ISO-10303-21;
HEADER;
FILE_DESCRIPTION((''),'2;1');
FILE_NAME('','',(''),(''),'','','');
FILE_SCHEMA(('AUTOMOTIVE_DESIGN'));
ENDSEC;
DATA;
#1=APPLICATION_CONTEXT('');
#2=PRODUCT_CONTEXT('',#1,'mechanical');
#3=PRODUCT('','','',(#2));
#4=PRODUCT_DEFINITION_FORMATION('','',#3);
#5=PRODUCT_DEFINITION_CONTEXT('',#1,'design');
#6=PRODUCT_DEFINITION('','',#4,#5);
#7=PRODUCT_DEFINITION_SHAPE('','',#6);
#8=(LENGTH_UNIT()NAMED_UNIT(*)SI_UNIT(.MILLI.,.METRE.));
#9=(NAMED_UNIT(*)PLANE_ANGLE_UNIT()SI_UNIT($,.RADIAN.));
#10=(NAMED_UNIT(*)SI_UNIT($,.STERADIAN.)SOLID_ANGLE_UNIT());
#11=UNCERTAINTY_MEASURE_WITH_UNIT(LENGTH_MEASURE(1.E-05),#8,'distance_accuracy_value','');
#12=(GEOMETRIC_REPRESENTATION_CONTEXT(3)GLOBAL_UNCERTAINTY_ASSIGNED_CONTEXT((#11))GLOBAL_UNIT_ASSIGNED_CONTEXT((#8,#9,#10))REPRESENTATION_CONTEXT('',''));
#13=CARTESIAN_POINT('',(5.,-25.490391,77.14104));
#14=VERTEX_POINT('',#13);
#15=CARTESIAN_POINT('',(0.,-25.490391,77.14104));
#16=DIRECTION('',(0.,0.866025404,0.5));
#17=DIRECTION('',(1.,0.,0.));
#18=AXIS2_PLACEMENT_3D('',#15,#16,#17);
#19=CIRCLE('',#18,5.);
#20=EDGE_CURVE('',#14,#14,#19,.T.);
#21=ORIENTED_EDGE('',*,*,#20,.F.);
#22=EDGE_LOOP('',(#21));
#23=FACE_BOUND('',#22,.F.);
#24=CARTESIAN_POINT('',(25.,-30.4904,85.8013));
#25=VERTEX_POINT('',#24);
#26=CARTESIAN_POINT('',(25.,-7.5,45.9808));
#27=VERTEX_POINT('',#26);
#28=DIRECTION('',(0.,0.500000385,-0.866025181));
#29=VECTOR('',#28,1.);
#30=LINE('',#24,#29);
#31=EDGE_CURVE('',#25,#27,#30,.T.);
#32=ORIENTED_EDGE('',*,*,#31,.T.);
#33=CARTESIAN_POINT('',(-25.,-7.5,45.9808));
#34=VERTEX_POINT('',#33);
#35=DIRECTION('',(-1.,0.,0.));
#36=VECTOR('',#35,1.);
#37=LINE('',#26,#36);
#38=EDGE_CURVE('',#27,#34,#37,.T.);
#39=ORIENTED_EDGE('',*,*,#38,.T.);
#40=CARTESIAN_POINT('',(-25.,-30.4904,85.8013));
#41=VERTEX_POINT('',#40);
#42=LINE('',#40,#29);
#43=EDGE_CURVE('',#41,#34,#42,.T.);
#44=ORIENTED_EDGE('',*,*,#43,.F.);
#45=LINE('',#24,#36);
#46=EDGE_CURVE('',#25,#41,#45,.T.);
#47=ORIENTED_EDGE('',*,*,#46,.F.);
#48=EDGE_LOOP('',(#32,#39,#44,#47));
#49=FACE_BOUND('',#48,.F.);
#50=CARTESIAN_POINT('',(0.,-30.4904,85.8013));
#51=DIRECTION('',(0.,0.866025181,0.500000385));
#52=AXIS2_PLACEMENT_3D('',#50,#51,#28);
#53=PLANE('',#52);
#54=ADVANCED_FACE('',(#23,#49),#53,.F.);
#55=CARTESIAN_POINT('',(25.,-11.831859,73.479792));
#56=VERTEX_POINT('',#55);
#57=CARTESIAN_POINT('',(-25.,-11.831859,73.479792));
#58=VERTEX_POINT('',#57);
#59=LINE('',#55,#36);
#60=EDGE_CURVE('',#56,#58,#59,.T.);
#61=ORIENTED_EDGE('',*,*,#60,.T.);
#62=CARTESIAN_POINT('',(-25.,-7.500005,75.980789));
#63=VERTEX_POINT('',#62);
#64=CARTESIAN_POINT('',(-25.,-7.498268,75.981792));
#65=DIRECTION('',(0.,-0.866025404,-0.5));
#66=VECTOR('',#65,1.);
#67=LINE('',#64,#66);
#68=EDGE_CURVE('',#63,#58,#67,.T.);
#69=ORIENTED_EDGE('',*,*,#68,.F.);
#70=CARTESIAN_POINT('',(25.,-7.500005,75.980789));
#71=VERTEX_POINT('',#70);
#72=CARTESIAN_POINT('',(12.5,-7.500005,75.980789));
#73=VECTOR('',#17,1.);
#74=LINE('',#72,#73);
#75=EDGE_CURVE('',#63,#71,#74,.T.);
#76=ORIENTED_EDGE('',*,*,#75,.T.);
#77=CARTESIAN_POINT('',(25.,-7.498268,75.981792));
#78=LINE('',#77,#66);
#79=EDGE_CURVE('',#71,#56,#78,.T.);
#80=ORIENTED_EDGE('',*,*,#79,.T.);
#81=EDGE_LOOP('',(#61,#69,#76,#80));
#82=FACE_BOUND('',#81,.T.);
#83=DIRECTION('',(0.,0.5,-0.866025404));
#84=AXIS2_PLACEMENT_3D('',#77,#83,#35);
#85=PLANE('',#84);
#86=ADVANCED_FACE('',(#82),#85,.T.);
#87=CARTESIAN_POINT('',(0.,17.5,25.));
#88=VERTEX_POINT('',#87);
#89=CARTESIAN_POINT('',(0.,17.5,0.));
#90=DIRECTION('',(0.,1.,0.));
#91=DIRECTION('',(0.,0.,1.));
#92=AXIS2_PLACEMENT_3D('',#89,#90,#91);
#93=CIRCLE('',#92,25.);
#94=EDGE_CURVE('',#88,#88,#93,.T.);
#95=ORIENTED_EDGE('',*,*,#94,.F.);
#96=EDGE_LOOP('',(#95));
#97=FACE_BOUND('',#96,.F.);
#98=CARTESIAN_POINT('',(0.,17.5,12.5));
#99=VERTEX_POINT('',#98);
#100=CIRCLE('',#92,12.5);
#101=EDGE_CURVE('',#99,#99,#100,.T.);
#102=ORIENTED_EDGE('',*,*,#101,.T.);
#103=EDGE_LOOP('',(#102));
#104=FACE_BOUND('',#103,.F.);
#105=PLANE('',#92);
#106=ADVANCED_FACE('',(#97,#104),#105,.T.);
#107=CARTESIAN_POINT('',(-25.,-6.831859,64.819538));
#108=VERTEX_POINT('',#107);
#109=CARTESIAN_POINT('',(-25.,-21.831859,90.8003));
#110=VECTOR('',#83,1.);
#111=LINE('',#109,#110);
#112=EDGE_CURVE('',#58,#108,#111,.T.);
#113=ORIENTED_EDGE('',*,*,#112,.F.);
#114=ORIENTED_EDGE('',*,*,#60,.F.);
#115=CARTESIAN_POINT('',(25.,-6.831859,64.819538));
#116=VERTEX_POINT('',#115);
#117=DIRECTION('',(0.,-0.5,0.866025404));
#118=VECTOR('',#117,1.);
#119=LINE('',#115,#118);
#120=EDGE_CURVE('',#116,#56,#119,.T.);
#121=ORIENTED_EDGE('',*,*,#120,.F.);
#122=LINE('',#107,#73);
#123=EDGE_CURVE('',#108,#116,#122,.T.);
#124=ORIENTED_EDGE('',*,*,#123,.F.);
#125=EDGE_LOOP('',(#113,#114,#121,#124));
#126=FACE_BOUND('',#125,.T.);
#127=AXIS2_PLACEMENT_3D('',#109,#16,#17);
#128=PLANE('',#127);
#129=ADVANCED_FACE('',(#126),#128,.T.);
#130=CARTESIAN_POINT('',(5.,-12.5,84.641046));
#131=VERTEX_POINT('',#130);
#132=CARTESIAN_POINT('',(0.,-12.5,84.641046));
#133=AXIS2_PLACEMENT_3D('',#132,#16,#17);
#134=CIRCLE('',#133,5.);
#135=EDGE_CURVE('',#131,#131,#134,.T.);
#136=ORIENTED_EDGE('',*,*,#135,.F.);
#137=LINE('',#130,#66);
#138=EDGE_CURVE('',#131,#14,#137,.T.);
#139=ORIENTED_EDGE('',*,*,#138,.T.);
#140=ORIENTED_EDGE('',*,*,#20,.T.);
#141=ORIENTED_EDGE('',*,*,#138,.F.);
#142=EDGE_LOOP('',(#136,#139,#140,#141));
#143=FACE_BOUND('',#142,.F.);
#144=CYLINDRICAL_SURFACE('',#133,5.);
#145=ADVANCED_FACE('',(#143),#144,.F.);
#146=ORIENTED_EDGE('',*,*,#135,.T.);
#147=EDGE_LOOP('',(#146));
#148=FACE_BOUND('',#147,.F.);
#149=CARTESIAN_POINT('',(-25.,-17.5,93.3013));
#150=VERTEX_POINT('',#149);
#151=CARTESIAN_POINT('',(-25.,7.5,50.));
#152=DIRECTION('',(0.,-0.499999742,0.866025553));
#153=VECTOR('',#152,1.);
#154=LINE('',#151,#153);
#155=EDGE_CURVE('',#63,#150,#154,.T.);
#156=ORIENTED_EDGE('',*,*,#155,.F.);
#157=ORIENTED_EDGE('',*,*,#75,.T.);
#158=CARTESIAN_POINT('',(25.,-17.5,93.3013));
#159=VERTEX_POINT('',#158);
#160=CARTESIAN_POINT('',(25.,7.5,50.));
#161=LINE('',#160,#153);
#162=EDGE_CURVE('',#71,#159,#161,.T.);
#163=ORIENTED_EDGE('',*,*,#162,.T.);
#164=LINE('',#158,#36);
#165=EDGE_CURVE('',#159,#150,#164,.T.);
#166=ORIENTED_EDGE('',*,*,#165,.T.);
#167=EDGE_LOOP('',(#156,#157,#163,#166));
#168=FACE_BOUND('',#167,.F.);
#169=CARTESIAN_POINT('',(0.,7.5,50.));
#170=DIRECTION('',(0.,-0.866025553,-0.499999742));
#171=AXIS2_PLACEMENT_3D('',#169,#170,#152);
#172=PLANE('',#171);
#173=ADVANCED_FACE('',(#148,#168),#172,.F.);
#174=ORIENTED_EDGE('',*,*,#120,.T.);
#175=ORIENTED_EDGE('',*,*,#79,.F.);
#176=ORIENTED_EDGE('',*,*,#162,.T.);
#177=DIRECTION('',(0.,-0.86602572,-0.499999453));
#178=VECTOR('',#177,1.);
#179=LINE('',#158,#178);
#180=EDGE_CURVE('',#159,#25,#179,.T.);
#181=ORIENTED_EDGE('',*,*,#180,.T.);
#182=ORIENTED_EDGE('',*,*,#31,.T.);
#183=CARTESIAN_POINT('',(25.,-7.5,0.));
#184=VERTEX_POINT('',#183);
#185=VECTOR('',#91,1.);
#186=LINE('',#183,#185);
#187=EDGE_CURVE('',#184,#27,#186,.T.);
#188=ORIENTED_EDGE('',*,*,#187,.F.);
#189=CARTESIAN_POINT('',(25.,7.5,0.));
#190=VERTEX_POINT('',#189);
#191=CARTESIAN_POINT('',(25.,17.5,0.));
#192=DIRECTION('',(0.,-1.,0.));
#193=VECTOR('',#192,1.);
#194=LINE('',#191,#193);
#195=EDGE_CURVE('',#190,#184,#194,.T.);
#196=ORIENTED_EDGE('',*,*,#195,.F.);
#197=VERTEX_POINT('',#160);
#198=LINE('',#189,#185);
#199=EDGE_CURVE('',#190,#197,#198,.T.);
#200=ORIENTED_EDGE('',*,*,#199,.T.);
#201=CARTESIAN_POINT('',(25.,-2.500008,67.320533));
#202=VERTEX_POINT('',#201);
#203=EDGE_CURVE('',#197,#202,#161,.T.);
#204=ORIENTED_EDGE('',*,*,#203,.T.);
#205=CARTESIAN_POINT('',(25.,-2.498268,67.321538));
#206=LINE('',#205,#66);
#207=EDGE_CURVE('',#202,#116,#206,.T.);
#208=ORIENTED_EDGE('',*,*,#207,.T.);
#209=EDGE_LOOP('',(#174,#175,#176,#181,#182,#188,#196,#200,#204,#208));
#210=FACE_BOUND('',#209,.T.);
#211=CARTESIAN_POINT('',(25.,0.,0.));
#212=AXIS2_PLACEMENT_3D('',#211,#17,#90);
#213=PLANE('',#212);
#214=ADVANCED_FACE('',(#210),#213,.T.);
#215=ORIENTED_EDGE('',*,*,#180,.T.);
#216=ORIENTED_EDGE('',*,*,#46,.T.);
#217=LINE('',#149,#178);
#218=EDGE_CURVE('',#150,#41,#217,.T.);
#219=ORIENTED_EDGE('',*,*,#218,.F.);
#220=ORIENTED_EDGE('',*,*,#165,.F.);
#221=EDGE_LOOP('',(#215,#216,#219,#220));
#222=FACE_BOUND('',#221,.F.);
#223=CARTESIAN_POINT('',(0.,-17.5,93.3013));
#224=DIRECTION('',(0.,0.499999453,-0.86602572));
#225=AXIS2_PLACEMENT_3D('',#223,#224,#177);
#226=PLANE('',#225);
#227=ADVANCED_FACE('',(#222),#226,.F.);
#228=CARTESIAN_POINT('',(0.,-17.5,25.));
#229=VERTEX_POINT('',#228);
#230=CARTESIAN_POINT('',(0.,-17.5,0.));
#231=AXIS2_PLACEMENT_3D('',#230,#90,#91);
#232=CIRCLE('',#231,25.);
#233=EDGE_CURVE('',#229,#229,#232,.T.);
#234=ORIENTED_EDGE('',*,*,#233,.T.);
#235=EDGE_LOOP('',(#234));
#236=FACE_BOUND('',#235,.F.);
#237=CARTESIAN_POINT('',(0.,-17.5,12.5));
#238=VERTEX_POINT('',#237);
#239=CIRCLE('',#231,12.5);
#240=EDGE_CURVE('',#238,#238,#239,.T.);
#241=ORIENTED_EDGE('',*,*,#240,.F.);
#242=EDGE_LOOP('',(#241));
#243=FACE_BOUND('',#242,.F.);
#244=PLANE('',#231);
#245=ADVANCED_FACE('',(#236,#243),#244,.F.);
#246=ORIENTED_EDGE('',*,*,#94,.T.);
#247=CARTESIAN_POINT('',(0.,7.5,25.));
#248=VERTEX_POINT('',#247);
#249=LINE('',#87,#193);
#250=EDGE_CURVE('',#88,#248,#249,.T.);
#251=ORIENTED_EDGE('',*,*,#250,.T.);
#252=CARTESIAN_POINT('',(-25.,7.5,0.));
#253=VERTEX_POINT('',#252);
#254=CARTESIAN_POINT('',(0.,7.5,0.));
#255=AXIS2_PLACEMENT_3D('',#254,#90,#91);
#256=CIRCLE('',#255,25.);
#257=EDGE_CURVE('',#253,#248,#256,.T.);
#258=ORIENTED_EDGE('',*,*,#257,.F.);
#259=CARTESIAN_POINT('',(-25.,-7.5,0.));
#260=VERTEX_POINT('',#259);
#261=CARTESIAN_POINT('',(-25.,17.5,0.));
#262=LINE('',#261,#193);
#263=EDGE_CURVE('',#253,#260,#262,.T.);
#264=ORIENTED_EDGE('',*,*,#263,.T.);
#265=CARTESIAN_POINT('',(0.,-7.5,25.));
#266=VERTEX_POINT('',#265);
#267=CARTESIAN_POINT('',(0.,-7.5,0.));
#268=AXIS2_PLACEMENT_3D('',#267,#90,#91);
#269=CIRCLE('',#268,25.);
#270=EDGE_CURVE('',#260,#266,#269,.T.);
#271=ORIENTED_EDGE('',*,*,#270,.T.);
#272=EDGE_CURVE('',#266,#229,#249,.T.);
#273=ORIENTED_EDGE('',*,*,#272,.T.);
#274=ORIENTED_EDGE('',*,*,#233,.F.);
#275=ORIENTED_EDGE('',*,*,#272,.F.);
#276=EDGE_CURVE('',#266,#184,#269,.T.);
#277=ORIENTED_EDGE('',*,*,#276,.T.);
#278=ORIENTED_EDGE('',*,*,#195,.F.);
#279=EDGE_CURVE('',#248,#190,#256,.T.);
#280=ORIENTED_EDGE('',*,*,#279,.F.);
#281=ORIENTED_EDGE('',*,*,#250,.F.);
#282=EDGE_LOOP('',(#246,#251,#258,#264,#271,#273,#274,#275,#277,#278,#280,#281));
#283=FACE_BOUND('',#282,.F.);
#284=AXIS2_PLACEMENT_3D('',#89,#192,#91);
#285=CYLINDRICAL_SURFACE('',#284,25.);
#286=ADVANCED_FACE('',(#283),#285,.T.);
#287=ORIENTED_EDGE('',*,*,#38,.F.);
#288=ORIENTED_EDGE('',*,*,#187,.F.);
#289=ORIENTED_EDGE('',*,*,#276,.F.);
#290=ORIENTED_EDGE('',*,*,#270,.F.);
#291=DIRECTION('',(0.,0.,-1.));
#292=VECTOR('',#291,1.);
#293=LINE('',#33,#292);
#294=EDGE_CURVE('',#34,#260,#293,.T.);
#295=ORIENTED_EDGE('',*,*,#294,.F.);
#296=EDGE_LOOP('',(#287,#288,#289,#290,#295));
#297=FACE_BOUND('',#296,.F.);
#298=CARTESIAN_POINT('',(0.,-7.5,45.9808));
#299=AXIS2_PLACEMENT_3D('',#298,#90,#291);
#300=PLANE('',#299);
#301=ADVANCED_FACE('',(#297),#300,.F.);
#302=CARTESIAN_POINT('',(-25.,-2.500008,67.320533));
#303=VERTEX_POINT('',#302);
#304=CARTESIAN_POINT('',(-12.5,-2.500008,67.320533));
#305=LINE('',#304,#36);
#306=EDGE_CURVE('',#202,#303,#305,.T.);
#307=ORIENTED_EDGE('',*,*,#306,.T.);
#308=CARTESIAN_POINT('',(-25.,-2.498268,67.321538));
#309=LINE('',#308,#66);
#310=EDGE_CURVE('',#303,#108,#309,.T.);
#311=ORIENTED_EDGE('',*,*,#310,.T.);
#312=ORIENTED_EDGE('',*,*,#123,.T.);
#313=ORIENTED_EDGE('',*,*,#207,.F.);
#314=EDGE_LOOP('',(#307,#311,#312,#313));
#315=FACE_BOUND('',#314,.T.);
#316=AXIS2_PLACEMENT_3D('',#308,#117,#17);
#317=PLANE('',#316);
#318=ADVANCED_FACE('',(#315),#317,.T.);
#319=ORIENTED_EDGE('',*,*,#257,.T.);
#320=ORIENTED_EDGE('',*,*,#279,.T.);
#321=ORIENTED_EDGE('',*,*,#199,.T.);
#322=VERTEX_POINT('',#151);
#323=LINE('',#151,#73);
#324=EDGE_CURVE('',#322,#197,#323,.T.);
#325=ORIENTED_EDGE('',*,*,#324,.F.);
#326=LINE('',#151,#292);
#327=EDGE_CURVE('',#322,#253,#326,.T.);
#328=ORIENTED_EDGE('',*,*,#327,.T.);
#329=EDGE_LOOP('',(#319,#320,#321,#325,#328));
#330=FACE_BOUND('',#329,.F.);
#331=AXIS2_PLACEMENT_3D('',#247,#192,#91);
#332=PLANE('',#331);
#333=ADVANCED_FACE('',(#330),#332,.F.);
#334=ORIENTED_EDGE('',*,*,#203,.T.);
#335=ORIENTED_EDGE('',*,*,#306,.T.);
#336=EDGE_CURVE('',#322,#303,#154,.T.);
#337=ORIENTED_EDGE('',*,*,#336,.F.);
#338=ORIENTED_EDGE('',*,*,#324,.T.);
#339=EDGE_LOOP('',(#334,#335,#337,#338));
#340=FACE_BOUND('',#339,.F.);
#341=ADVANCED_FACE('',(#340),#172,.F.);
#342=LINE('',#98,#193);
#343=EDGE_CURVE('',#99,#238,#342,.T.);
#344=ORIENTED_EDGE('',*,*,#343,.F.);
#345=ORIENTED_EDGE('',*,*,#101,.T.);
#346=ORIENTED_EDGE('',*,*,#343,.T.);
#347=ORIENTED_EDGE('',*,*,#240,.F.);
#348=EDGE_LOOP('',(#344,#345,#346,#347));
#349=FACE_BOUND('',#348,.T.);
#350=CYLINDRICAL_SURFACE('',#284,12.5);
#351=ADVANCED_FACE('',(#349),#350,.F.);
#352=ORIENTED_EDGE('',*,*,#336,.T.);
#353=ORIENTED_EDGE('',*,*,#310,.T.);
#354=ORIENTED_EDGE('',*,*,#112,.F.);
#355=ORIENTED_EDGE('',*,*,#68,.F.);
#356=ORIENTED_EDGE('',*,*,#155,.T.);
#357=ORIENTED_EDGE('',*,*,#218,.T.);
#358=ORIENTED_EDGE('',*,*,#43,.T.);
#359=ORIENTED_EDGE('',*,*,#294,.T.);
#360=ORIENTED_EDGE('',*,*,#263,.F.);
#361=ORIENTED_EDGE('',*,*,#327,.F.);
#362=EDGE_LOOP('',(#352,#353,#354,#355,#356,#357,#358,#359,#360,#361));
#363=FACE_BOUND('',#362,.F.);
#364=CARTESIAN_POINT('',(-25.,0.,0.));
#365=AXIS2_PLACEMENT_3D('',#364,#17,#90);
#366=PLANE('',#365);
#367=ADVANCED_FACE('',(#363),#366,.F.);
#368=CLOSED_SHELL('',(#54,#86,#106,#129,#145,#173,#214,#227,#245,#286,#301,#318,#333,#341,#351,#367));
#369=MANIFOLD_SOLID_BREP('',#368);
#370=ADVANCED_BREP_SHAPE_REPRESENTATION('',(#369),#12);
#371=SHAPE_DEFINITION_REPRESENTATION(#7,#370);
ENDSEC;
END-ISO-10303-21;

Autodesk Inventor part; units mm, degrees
ref_plane "YZ Plane" through (0, 0, 0) normal (1, 0, 0) x (0, 1, 0)
ref_plane "XZ Plane" through (0, 0, 0) normal (0, 1, 0) x (-1, 0, 0)
ref_plane "XY Plane" through (0, 0, 0) normal (0, 0, 1) x (1, 0, 0)
sketch "Boceto1" plane through (0, 0, 0) normal (1, 0, 0) x (0, 1, 0)
  line L0 (-17.5, -25) -> (17.5, -25)
  line L1 (17.5, -25) -> (17.5, 25)
  line L2 (17.5, 25) -> (-17.5, 25)
  line L3 (-17.5, 25) -> (-17.5, -25)
  line L4 (7.5, 25) -> (7.5, 50)
  line L5 (-7.5, 45.9808) -> (-7.5, 25)
  line L6 (17.5, 12.5) -> (-17.5, 12.5)
  line L7 (17.5, -12.5) -> (-17.5, -12.5)
  line L8 (7.5, 50) -> (-17.5, 93.3013)
  line L9 (-17.5, 93.3013) -> (-30.4904, 85.8013)
  line L10 (-30.4904, 85.8013) -> (-7.5, 45.9808)
  line L11 (-40.0885, 0) -> (27.0981, 0) projected
  point P0 (0, 0)
  dimension "d0" = 10
  dimension "d1" = 10
  dimension "d2" = 15
  dimension "d3" = 25
  dimension "d5" = 12.5
  dimension "d6" = 50
  dimension "d7" = 12.5
  dimension "d8" = 7.5
  dimension "d9" = 25
  dimension "d10" = 50
  dimension "d11" = 15
  dimension "d12" = 150
revolve "Revolución1" add sketch "Boceto1" angle 360 about axis through (0, -10, 0) along (0, 1, 0) contours L3 L2 L1 L6
extrude "Extrusión1" add sketch "Boceto1" along normal mid plane 50 contours L5 L10 L9 L8 L4 L2
sketch "Boceto2" plane through (25, 7.5, 25) normal (0, 0, -1) x (-1, 0, 0)
  line L0 (25, -15) -> (25, 0) projected
  line L1 (25, 0) -> (0, 0) projected
  line L2 (0, -15) -> (0, 0) projected
  line L3 (25, -15) -> (0, -15) projected
  line L4 (50, -15) -> (25, -15) projected
  line L5 (50, 0) -> (50, -15) projected
  line L6 (50, 0) -> (25, 0) projected
  point P0 (25, -7.5)
extrude "Extrusión2" add sketch "Boceto2" along normal up to surface
sketch "Boceto3" plane through (-25, -17.5, 93.3013) normal (0, 0.866, 0.5) x (1, 0, 0)
  line L0 (0, 0) -> (0, 50) projected
  line L1 (0, 30) -> (50, 30)
  line L2 (50, 30) -> (50, 20)
  line L3 (50, 0) -> (50, 45.9808) projected
  line L4 (0, 30) -> (0, 20)
  line L5 (50, 20) -> (0, 20)
  line L6 (0, 50) -> (50, 50) projected
  circle A0 centre (25, 10) radius 5
  point P0 (25, 89.5513)
  point P1 (0, 25)
  dimension "d18" = 10
  dimension "d19" = 5
  dimension "d20" = 25
  dimension "d21" = 10
  dimension "d22" = 10
extrude "Extrusión3" cut sketch "Boceto3" against normal blind 5 contours L0 L1 L2 L5
extrude "Extrusión4" cut sketch "Boceto3" against normal through all contours A0
properties part number "Pieza de practica 14"
